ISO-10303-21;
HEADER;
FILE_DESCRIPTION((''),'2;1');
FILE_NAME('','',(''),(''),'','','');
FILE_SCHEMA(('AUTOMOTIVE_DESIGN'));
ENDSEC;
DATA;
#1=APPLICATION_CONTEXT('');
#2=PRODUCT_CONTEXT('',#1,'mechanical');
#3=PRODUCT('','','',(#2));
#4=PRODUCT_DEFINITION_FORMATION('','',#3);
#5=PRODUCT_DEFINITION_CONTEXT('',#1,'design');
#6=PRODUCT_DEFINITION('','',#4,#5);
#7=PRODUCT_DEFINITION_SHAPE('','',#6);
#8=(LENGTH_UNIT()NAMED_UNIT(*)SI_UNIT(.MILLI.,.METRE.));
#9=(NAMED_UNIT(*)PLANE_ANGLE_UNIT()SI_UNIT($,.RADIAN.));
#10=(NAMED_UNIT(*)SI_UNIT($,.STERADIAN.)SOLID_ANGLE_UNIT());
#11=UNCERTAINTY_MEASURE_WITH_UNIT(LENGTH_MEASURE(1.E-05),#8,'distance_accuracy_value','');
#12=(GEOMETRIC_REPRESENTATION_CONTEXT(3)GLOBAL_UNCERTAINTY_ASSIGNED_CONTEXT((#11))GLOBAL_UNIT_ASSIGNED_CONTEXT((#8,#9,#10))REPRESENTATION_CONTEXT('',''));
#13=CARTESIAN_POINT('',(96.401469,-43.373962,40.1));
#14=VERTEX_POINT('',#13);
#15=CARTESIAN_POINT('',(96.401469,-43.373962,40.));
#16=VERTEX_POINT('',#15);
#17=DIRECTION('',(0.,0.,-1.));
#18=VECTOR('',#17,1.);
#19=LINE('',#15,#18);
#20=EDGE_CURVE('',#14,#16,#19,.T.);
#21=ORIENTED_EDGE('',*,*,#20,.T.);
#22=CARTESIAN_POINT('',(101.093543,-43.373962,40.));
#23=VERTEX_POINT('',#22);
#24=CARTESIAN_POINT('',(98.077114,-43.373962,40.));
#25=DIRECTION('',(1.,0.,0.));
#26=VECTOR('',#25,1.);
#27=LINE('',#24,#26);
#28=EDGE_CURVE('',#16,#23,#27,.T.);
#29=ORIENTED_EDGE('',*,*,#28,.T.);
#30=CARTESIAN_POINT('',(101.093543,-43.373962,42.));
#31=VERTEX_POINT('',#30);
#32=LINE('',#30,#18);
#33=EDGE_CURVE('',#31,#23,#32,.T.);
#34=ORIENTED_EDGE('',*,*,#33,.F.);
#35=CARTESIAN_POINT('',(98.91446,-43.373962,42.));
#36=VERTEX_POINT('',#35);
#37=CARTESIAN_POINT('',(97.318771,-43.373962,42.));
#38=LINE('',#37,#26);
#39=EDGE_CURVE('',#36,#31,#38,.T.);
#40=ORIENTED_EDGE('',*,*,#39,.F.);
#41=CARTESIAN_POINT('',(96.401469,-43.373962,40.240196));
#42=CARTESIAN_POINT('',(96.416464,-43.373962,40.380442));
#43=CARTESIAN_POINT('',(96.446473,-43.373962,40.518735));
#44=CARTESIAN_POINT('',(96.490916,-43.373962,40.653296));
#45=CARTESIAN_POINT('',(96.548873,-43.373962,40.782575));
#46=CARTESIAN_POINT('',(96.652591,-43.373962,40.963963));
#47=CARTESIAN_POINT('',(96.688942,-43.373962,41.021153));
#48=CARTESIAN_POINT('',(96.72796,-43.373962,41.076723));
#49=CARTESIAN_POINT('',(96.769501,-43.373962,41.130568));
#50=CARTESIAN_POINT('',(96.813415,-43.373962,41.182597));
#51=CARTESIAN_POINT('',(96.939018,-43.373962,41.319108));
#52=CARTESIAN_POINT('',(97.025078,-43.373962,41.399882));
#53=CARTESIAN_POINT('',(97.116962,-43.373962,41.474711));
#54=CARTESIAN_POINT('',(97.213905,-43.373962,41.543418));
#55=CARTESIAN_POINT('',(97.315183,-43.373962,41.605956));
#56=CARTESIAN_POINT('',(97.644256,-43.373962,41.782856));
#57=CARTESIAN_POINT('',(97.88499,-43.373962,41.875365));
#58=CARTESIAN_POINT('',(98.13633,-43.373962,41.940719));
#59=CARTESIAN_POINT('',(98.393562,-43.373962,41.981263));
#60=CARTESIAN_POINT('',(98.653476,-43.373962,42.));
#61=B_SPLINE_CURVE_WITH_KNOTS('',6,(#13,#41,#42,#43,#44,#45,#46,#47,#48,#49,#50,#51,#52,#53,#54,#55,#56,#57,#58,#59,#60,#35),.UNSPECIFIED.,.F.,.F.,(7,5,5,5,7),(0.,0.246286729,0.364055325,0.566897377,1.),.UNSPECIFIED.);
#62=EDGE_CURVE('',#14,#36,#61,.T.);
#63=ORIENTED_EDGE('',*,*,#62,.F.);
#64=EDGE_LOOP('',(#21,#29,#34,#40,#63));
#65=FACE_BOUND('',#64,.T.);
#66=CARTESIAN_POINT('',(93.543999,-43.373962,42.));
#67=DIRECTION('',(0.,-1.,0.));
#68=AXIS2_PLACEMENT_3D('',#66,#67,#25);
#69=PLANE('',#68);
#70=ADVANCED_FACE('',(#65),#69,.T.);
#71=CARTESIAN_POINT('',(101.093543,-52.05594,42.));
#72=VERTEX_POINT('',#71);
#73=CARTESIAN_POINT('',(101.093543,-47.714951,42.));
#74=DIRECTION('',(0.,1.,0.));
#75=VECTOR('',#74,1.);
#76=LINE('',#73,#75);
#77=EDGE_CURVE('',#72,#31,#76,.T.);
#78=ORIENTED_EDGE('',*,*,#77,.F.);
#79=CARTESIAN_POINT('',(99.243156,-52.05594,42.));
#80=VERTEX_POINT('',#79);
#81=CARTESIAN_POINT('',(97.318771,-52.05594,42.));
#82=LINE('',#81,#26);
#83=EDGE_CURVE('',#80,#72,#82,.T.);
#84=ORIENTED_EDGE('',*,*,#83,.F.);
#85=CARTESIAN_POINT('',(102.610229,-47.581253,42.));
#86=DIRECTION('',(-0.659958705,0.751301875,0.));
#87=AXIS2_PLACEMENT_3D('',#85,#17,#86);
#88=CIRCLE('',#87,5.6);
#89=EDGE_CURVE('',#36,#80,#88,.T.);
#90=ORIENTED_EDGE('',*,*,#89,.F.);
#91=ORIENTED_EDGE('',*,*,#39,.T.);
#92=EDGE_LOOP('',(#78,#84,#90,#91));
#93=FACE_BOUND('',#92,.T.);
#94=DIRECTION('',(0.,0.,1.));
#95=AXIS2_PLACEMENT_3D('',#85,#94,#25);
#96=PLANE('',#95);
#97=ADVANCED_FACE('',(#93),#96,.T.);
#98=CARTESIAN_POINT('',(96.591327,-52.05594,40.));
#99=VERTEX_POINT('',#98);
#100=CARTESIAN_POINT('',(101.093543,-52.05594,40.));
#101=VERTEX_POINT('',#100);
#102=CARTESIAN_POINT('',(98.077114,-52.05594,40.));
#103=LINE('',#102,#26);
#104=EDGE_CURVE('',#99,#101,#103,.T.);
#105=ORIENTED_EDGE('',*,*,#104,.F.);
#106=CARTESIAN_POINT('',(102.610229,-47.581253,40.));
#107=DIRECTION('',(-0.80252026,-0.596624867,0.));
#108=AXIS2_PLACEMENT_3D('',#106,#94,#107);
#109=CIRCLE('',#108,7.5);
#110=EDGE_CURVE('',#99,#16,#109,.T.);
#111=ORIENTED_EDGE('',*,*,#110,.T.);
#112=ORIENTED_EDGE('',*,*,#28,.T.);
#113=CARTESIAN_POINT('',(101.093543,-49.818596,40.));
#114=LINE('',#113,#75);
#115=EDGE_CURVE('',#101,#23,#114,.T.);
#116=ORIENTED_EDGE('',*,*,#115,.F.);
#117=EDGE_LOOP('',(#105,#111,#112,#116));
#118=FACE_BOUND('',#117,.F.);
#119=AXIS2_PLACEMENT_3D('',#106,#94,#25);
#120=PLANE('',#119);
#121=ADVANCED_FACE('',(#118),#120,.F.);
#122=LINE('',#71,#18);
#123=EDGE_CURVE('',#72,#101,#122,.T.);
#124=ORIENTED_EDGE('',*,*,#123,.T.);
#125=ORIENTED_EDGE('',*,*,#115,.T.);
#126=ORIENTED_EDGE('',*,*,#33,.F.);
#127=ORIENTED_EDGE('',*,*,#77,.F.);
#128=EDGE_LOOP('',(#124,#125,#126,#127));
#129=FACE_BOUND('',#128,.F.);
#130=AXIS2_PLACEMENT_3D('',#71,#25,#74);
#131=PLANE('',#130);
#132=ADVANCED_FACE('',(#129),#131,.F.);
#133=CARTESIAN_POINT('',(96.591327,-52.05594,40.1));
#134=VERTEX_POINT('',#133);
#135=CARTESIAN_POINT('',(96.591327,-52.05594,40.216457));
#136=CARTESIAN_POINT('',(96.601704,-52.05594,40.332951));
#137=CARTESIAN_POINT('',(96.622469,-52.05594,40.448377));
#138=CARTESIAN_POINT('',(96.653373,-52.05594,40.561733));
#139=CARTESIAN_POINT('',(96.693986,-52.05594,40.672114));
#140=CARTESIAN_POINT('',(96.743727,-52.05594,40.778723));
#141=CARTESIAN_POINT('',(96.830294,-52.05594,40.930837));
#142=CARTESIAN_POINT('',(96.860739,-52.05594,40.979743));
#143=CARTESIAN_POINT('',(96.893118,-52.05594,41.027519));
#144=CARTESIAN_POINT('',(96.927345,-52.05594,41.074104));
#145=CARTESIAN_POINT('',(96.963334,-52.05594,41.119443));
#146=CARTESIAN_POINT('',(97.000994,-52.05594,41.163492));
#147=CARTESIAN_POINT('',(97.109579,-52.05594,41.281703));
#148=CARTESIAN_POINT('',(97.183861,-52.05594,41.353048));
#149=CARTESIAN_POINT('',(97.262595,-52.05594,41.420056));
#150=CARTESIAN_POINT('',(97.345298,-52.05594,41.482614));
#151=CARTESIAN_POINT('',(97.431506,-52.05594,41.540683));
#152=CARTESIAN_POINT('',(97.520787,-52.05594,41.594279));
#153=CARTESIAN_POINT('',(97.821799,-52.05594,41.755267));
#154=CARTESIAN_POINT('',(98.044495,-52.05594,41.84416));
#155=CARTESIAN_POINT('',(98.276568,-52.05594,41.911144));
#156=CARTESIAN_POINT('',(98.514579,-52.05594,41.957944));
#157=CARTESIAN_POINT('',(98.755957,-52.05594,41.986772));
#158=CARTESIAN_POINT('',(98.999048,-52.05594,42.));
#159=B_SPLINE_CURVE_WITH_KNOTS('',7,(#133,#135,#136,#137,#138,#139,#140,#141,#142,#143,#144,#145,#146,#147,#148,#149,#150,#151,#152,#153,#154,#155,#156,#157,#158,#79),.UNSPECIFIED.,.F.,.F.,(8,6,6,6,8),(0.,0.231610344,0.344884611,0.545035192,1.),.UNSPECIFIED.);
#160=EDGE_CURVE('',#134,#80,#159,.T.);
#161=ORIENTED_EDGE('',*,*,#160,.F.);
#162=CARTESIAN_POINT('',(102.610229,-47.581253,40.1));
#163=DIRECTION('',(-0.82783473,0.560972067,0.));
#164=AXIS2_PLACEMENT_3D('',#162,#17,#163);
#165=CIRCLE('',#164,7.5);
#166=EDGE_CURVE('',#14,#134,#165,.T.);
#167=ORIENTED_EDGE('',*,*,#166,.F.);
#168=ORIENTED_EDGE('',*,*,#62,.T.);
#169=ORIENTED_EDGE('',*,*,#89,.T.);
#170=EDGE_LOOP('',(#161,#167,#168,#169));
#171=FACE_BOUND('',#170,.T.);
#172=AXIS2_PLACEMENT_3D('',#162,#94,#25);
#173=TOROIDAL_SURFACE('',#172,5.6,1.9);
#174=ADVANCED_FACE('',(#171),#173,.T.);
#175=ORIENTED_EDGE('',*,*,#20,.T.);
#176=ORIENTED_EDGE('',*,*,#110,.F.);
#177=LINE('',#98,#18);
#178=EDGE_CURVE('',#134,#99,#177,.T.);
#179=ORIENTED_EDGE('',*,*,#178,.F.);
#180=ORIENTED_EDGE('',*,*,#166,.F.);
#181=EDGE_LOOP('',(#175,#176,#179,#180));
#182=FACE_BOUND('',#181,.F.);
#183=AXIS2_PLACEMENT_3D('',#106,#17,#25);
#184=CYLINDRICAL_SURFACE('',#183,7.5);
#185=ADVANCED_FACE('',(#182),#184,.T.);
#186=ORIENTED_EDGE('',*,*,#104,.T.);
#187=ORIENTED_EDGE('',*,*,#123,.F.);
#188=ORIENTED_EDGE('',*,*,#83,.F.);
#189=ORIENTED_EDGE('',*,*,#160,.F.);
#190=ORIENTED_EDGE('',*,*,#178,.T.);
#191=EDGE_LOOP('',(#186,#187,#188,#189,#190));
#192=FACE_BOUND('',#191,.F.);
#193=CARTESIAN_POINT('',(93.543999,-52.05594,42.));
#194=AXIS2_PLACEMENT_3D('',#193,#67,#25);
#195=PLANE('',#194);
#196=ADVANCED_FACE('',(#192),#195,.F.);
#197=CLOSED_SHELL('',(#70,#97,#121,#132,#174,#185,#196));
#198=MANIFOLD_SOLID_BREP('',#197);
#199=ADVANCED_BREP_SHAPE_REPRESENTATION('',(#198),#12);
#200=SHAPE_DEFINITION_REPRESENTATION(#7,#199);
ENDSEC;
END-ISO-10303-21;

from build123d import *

# Parameters (mm, degrees)
SKETCH037_R     = 7.5
PAD014_DEPTH    = 2
FILLET_R        = 1.9
SKETCH038_W     = 7.549545
SKETCH038_H     = 8.681977
POCKET016_DEPTH = 5


with BuildPart() as part:
    # Sketch037 → Pad014 (new body)
    with BuildSketch(Plane.XY):
        with Locations((102.610229, -47.581253)):
            Circle(SKETCH037_R)
    extrude(amount=PAD014_DEPTH)

    # Fillet
    fillet_edges = [part.edges().sort_by_distance(p)[0] for p in [
        (95.110229, -47.581253, 2),
    ]]
    fillet(fillet_edges, radius=FILLET_R)

    # Sketch038 (on Face4 of Fillet) → Pocket016 (cut)
    with BuildSketch(Plane.XY.offset(2)):
        with Locations((97.318771, -47.714951)):
            Rectangle(SKETCH038_W, SKETCH038_H)
    extrude(amount=-POCKET016_DEPTH, mode=Mode.SUBTRACT)


with BuildPart() as part_1:
    # Body006 placement: moved
    add(part.part.moved(Location((0, 0, 40))))


solid = part_1.part
